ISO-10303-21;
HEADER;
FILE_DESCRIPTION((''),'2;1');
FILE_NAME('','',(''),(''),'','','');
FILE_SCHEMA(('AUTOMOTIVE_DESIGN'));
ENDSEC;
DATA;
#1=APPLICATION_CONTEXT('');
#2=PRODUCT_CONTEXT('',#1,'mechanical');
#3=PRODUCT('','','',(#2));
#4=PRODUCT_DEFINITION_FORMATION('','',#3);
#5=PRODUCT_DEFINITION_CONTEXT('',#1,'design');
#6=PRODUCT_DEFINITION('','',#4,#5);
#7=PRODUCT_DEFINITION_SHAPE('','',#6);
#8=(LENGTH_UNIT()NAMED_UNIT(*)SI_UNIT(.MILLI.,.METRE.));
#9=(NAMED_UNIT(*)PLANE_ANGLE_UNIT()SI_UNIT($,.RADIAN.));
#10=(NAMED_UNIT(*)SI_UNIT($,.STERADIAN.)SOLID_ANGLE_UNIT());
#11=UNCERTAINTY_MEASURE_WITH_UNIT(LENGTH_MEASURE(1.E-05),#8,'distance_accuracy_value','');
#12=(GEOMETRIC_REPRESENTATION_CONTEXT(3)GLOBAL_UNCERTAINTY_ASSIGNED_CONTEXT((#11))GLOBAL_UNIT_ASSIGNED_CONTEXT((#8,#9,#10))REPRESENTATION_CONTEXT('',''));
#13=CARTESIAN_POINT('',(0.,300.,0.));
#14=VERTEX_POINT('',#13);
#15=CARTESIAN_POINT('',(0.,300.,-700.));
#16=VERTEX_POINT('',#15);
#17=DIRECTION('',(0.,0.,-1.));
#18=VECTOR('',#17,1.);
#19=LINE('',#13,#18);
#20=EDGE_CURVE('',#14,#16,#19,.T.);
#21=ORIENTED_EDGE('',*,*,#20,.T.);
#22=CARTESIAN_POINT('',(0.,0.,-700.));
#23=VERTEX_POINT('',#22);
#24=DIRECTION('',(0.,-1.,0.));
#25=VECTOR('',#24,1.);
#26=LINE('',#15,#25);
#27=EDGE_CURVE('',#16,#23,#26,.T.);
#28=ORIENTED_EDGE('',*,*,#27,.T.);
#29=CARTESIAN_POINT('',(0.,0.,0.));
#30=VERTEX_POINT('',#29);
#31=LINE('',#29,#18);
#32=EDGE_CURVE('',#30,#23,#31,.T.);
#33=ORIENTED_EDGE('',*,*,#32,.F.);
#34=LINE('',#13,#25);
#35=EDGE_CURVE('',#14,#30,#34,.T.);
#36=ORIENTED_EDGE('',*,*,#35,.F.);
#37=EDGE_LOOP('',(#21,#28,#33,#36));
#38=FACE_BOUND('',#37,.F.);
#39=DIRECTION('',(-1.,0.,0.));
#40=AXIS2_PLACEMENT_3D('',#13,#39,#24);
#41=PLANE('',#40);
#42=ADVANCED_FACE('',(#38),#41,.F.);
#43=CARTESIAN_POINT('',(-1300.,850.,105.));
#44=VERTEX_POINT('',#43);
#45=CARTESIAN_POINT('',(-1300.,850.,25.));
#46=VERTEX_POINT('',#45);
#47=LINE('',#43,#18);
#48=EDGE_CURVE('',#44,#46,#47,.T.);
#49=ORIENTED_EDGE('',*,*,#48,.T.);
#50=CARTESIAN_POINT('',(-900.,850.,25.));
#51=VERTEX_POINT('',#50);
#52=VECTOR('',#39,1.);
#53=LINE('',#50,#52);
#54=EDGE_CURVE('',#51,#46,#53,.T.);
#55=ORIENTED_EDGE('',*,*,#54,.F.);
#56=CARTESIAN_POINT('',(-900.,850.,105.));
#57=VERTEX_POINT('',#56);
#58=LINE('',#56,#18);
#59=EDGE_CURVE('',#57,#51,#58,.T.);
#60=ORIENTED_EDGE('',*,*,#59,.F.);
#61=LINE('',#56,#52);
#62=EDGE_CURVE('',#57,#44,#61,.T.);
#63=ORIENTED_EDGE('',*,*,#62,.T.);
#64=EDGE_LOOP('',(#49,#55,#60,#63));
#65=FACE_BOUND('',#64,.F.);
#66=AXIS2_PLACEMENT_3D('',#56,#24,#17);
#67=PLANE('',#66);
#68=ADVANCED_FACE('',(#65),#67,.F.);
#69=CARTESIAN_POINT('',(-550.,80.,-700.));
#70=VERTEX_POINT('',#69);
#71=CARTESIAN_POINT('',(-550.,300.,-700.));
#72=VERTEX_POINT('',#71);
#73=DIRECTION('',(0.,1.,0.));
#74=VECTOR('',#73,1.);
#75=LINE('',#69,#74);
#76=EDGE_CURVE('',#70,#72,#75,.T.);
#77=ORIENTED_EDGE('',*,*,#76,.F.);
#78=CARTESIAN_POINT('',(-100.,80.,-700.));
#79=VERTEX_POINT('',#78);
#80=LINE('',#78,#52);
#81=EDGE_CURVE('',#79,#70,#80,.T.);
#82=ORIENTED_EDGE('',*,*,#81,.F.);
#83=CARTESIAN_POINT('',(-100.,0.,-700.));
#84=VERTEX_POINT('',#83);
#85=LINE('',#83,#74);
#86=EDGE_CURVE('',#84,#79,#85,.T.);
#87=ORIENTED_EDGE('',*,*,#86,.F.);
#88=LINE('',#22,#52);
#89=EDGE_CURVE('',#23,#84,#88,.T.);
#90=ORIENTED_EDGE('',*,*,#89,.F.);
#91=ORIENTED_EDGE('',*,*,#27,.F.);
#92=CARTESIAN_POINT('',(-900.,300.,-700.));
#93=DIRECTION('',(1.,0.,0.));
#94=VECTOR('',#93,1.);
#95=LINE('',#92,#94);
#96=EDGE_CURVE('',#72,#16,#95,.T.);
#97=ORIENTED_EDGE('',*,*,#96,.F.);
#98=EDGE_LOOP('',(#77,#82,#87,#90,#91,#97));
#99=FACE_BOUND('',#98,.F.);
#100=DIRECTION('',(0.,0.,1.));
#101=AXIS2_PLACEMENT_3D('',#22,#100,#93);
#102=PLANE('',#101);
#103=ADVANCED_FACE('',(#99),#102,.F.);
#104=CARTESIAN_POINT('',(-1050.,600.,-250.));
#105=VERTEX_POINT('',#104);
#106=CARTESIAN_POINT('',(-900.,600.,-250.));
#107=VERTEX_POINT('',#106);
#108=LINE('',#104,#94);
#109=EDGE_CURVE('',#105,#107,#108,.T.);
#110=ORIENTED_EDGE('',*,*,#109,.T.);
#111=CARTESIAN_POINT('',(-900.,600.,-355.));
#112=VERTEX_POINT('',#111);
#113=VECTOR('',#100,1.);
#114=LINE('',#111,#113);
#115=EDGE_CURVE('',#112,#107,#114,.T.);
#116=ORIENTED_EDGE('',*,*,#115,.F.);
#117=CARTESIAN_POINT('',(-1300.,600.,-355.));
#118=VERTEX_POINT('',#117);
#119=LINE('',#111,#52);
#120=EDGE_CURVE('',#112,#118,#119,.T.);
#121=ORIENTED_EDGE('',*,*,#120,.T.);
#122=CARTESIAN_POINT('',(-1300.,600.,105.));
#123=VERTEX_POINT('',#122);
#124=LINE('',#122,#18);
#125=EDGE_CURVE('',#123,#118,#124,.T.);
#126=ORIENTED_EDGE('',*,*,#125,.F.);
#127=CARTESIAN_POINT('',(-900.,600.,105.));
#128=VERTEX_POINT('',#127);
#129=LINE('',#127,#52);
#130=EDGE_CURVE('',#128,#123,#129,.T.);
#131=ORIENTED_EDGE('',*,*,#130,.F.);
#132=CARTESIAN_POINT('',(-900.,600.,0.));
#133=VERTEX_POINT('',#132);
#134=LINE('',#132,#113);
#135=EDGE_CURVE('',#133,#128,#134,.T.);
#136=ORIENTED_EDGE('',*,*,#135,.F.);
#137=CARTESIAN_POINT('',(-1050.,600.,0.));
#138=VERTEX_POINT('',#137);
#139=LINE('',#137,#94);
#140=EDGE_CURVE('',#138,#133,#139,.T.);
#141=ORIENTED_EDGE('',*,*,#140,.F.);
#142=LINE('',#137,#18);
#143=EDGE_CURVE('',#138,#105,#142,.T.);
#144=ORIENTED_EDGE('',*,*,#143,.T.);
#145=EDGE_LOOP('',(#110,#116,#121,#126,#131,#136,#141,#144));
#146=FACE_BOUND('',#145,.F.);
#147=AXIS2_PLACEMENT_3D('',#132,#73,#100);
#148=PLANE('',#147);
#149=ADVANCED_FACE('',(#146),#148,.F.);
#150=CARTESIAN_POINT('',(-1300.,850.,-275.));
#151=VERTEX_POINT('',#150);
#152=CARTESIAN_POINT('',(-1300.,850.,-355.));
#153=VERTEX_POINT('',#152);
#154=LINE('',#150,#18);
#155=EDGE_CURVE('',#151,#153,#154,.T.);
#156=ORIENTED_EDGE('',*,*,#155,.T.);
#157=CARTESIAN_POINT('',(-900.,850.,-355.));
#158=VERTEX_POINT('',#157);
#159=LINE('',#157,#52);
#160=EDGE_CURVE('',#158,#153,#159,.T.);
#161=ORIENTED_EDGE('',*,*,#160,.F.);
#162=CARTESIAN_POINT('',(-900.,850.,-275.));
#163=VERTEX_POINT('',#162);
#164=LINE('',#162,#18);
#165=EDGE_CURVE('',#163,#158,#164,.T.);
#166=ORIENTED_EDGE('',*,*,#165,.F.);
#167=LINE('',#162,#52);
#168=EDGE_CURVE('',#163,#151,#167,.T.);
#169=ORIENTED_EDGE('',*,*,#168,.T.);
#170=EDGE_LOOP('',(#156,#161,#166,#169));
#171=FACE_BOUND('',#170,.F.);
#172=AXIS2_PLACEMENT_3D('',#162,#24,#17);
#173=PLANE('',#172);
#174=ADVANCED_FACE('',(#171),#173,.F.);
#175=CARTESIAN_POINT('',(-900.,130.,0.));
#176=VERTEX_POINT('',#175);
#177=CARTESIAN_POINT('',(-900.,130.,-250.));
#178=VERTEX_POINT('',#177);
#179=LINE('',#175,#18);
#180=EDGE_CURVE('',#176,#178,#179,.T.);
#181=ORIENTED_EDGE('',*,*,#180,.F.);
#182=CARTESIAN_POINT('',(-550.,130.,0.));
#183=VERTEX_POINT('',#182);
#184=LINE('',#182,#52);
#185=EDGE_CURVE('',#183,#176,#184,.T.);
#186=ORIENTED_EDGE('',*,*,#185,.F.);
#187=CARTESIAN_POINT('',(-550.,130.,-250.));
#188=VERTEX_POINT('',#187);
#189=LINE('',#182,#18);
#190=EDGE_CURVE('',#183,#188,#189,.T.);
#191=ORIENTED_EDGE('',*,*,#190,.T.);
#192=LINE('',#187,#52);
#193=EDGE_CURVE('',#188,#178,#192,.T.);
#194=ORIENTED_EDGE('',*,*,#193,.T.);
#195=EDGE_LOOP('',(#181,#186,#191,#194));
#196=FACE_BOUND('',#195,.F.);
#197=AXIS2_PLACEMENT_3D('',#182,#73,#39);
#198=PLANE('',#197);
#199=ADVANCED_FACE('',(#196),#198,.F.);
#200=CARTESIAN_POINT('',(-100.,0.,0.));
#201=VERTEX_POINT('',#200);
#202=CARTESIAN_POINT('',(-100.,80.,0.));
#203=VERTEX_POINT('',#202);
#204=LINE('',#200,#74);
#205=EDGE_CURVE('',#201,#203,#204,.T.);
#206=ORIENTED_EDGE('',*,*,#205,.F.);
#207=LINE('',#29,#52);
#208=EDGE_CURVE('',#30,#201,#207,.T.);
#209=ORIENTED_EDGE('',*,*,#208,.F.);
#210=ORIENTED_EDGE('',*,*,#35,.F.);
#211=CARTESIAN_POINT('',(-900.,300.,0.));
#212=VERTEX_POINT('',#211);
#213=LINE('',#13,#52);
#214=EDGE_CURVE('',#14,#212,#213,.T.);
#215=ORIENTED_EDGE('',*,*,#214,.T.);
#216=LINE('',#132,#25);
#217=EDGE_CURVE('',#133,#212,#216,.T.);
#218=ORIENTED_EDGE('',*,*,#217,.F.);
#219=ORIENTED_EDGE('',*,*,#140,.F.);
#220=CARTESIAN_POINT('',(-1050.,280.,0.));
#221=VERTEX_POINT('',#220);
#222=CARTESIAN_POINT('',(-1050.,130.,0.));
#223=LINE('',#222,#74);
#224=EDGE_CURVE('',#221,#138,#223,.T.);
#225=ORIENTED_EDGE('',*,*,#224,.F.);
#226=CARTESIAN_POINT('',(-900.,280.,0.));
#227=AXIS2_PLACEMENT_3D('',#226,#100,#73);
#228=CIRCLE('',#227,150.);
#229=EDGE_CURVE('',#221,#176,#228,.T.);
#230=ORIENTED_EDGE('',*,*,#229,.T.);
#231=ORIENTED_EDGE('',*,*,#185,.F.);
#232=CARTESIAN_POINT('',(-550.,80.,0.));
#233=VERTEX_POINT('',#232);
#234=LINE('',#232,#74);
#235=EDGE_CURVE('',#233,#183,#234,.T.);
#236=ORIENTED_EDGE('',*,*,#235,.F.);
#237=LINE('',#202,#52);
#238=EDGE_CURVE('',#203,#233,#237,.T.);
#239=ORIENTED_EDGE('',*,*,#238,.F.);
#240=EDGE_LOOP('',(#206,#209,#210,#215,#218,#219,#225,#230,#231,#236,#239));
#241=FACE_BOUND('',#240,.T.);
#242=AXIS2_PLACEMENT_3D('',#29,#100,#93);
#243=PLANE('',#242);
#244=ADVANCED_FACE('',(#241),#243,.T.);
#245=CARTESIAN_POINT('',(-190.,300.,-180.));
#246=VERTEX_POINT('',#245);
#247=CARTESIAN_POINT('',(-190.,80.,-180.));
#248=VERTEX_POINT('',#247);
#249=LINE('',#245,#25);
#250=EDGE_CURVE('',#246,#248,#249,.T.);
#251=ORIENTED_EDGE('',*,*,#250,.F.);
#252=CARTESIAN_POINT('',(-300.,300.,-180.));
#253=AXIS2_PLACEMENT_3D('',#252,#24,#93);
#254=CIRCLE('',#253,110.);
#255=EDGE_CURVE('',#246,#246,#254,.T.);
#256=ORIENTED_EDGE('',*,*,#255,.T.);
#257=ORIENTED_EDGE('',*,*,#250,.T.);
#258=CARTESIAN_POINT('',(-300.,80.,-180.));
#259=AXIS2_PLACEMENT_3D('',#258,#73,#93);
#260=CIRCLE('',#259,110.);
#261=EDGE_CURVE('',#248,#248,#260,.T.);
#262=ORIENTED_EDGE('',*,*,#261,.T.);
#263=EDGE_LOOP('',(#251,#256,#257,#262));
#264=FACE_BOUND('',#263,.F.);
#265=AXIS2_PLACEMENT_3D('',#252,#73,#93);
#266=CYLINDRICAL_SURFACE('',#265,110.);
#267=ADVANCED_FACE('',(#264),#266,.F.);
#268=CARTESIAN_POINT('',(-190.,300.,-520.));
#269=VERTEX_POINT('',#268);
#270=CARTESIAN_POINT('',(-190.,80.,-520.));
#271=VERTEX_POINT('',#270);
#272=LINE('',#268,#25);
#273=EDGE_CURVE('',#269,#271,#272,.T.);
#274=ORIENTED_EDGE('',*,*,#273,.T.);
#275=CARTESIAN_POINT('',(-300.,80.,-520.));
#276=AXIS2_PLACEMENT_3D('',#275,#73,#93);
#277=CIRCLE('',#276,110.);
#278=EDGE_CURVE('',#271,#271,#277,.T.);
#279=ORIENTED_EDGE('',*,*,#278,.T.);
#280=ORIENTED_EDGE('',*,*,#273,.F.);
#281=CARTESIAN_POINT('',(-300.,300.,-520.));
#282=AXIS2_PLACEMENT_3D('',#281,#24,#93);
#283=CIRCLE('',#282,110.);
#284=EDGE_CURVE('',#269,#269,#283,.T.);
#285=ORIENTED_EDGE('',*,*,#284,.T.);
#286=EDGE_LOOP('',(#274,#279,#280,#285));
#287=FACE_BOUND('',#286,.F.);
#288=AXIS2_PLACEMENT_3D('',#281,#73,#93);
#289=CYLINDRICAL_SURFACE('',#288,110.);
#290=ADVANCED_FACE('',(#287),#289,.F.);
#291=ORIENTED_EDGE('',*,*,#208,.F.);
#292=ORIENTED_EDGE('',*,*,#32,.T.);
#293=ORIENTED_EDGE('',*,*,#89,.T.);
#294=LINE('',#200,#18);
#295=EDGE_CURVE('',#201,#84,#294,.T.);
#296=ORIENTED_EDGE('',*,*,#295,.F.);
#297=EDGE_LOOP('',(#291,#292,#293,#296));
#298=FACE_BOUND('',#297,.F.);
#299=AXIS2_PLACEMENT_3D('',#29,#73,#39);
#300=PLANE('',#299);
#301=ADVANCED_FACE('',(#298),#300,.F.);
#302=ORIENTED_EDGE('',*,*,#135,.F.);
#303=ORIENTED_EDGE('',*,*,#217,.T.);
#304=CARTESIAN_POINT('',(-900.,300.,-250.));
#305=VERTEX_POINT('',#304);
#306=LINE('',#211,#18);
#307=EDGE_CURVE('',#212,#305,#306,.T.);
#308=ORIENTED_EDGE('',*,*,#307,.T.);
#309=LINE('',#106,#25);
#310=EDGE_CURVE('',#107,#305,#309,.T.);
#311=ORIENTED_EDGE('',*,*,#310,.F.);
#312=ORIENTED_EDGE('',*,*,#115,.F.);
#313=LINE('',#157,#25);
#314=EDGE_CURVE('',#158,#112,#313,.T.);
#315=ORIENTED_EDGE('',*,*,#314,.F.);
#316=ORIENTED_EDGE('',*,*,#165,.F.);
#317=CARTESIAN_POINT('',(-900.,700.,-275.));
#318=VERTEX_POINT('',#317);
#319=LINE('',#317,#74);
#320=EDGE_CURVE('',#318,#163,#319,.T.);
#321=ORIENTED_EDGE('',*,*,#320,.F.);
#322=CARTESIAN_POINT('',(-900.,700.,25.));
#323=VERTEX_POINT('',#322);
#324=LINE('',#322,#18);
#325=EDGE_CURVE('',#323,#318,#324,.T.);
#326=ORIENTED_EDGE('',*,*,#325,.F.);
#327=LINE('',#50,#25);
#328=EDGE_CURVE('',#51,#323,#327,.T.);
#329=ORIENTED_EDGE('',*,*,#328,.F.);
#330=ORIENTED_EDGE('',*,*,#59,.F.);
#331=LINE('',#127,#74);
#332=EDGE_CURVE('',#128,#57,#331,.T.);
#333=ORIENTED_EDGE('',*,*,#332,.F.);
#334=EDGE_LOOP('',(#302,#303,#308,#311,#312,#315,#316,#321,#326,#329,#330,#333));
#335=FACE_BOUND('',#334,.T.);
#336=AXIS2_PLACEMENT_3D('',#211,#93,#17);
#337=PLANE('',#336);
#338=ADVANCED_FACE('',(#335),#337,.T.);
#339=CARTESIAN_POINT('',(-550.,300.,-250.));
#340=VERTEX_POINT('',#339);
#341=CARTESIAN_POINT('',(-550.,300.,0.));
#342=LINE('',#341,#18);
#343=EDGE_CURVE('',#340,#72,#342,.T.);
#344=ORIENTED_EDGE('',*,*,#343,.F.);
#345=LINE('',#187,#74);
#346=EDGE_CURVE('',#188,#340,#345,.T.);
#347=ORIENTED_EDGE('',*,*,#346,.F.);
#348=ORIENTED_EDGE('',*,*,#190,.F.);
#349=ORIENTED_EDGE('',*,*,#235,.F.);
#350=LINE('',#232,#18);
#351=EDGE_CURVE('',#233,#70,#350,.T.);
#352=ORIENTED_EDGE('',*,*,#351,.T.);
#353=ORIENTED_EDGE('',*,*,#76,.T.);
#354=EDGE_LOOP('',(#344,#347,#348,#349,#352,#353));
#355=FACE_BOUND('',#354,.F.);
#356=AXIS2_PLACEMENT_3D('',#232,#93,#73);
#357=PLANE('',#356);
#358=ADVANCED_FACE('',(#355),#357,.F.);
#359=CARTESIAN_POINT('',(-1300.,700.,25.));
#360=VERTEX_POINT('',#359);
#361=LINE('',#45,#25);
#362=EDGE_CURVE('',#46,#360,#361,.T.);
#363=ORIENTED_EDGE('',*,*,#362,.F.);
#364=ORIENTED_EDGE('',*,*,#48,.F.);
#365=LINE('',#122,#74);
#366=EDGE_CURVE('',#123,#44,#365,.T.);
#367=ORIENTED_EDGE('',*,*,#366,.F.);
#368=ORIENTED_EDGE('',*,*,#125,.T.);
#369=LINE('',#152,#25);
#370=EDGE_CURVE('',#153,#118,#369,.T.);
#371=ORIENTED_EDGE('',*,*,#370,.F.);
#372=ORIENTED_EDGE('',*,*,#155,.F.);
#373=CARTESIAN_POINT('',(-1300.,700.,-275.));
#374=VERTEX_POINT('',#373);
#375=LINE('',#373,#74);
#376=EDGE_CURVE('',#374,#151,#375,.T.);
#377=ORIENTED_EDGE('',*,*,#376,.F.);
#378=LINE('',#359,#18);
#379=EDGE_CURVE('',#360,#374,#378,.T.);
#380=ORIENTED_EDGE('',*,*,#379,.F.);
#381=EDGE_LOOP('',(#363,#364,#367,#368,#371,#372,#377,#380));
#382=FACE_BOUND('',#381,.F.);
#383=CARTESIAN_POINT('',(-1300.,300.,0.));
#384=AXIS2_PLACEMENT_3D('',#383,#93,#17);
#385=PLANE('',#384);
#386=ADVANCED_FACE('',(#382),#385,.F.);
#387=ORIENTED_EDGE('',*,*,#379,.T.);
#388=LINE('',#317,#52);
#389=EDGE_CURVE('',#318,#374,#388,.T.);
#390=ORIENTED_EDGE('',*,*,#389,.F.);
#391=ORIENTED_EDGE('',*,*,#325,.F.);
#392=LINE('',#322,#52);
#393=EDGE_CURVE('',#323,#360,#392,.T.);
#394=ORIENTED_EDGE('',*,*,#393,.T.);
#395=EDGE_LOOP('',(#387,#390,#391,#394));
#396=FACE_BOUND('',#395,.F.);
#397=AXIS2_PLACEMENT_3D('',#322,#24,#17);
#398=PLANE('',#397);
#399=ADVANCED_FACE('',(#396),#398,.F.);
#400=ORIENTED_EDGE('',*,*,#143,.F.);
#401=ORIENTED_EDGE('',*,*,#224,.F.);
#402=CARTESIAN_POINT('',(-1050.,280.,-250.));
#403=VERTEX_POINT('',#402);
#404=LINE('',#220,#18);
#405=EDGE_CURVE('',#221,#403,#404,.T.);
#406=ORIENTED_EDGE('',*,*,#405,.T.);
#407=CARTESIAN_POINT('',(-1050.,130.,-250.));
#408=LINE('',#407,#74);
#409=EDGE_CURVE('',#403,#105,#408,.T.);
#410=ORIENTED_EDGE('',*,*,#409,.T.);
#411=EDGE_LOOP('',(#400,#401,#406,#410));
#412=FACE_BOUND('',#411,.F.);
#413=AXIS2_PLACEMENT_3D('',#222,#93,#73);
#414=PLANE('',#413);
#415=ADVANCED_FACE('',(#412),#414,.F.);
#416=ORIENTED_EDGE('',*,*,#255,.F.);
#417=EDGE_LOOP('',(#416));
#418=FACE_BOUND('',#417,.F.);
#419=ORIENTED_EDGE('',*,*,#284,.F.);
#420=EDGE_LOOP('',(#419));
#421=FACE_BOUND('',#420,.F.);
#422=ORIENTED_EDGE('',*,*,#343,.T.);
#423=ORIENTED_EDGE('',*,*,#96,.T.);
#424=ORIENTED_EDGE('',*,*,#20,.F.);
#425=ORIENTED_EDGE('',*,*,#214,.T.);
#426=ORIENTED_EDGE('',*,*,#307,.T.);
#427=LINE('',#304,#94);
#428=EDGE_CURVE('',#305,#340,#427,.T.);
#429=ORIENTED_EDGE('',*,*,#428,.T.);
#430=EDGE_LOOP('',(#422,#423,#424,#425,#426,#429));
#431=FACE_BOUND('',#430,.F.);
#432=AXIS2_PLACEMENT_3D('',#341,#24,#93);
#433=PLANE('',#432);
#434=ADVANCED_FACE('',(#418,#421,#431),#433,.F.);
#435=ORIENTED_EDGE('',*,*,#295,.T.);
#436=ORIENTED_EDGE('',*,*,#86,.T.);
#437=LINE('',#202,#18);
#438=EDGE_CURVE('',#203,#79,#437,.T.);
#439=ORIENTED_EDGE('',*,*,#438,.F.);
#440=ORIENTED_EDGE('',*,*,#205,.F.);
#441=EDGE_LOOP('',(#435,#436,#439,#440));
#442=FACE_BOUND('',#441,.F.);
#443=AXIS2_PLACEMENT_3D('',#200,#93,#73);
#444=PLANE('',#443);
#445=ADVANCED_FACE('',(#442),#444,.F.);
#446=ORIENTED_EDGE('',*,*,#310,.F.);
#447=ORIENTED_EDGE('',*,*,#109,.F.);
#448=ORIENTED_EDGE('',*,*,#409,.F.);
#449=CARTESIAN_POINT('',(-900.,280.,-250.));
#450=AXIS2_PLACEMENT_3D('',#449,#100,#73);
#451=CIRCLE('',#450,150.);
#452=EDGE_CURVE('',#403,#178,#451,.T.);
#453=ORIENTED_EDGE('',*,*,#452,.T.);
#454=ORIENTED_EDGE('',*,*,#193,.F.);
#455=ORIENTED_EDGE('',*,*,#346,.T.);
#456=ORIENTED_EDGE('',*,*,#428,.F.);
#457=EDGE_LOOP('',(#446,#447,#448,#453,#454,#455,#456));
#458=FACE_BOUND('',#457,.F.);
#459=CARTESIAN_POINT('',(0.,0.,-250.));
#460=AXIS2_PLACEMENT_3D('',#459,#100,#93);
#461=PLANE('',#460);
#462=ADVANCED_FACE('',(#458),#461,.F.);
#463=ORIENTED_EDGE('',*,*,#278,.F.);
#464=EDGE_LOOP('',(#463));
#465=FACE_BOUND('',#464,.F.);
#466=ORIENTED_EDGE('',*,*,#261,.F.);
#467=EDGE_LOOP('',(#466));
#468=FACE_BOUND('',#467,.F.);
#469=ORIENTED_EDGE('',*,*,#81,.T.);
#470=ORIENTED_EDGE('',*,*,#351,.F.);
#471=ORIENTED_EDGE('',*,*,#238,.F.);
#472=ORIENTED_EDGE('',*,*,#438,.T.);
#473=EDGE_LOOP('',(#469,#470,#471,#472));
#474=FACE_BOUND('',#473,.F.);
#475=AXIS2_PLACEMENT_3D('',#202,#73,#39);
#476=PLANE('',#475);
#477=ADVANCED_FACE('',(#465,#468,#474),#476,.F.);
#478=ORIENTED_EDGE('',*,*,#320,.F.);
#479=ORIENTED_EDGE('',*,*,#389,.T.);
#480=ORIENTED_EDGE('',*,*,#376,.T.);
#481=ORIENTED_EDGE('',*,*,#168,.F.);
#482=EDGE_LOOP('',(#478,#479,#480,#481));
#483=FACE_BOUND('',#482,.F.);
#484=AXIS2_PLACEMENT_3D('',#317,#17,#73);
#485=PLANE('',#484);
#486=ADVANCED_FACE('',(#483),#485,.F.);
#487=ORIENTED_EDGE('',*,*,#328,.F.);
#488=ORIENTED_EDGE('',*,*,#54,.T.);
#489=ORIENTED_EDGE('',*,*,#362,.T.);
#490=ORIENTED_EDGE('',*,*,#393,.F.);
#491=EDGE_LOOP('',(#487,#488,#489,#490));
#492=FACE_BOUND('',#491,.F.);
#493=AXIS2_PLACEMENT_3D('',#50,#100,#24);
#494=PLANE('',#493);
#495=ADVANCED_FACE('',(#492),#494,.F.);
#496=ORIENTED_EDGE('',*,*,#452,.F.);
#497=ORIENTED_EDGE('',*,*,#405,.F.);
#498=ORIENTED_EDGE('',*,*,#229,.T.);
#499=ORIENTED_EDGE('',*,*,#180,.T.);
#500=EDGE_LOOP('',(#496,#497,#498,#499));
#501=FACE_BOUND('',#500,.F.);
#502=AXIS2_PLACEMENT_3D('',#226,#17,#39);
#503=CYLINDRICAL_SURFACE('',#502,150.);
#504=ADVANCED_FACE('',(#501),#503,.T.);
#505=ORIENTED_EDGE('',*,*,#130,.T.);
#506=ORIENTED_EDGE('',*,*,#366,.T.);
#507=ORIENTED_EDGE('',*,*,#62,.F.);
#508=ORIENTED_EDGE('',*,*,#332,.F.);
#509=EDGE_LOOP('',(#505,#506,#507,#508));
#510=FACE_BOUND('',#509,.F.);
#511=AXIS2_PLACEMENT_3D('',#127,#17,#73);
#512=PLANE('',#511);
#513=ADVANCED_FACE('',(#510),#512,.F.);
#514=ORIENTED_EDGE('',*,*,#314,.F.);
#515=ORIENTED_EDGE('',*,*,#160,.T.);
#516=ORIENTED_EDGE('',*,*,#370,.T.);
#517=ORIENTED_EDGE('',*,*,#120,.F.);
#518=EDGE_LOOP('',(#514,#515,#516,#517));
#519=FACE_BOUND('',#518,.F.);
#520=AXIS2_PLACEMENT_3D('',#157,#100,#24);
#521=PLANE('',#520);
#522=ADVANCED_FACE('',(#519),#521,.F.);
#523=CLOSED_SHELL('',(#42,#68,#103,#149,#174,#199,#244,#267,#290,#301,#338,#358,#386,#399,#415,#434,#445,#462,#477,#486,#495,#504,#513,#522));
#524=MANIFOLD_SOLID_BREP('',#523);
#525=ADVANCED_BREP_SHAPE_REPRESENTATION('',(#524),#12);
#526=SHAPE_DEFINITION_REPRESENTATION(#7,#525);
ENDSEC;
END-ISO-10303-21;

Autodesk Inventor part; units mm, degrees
ref_plane "YZ Plane" through (0, 0, 0) normal (1, 0, 0) x (0, 1, 0)
ref_plane "XZ Plane" through (0, 0, 0) normal (0, 1, 0) x (-1, 0, 0)
ref_plane "XY Plane" through (0, 0, 0) normal (0, 0, 1) x (1, 0, 0)
sketch "Sketch1" plane through (0, 0, 0) normal (0, 0, 1) x (1, 0, 0)
  line L0 (0, 0) -> (-100, 0)
  line L1 (-100, 0) -> (-100, 80)
  line L2 (-100, 80) -> (-550, 80)
  line L3 (-550, 80) -> (-550, 130)
  line L4 (-550, 130) -> (-1050, 130)
  line L5 (-1050, 130) -> (-1050, 600)
  line L6 (-1050, 600) -> (-900, 600)
  line L7 (-900, 600) -> (-900, 300)
  line L8 (-900, 300) -> (0, 300)
  line L9 (0, 300) -> (0, 0)
  line L10 (-550, 130) -> (-550, 300)
  dimension "d0" = 100
  dimension "d1" = 80
  dimension "d2" = 450
  dimension "d3" = 50
  dimension "d4" = 500
  dimension "d5" = 470
  dimension "d6" = 150
  dimension "d7" = 300
extrude "Extrusion1" add sketch "Sketch1" against normal blind 700 contours L0 L1 L2 L3 L10 L8 L9
sketch "Sketch2" plane through (0, 0, 0) normal (0, 0, 1) x (1, 0, 0)
  line L0 (-100, 80) -> (-550, 80) construction
  line L1 (-550, 80) -> (-550, 130)
  line L2 (-550, 80) -> (-550, 300) construction
  line L3 (-550, 130) -> (-1050, 130)
  line L4 (-1050, 130) -> (-1050, 600)
  line L5 (-1050, 600) -> (-900, 600)
  line L6 (-900, 600) -> (-900, 300)
  line L7 (-900, 300) -> (-550, 300)
  line L8 (-550, 300) -> (-550, 80) construction
  line L9 (-550, 130) -> (-550, 300)
  point P0 (0, 0)
  dimension "d10" = 50
  dimension "d11" = 500
  dimension "d12" = 470
  dimension "d13" = 150
  dimension "d14" = 300
extrude "Extrusion2" add sketch "Sketch2" against normal blind 250
sketch "Sketch3" plane through (-900, 300, 0) normal (1, 0, 0) x (0, 0, -1)
  line L0 (0, 300) -> (250, 300) construction
  line L1 (0, 300) -> (-105, 300)
  line L2 (-105, 300) -> (-105, 550)
  line L3 (-105, 550) -> (-25, 550)
  line L4 (-25, 550) -> (-25, 400)
  line L5 (-25, 400) -> (275, 400)
  line L6 (275, 400) -> (275, 550)
  line L7 (275, 550) -> (355, 550)
  line L8 (355, 550) -> (355, 300)
  line L9 (355, 300) -> (0, 300)
  point P0 (0, -300)
  dimension "d17" = 105
  dimension "d18" = 250
  dimension "d19" = 80
  dimension "d20" = 150
  dimension "d21" = 300
  dimension "d22" = 80
extrude "Extrusion3" add sketch "Sketch3" against normal blind 400
fillet "Fillet1" radius 150 1 edges at (-1050, 130, -125)
sketch "Sketch4" plane through (-550, 300, -700) normal (0, 1, 0) x (1, 0, 0)
  line L0 (450, -700) -> (550, -700) construction
  line L1 (550, -700) -> (550, -520)
  line L2 (550, -520) -> (250, -520)
  line L3 (250, -520) -> (250, -180)
  circle A0 centre (250, -520) radius 110
  circle A1 centre (250, -180) radius 110
  dimension "d26" = 180
  dimension "d27" = 300
  dimension "d28" = 340
  dimension "d29" = 220
  dimension "d30" = 220
extrude "Extrusion4" cut sketch "Sketch4" against normal blind 449.2125
properties part number "051665019_14"
